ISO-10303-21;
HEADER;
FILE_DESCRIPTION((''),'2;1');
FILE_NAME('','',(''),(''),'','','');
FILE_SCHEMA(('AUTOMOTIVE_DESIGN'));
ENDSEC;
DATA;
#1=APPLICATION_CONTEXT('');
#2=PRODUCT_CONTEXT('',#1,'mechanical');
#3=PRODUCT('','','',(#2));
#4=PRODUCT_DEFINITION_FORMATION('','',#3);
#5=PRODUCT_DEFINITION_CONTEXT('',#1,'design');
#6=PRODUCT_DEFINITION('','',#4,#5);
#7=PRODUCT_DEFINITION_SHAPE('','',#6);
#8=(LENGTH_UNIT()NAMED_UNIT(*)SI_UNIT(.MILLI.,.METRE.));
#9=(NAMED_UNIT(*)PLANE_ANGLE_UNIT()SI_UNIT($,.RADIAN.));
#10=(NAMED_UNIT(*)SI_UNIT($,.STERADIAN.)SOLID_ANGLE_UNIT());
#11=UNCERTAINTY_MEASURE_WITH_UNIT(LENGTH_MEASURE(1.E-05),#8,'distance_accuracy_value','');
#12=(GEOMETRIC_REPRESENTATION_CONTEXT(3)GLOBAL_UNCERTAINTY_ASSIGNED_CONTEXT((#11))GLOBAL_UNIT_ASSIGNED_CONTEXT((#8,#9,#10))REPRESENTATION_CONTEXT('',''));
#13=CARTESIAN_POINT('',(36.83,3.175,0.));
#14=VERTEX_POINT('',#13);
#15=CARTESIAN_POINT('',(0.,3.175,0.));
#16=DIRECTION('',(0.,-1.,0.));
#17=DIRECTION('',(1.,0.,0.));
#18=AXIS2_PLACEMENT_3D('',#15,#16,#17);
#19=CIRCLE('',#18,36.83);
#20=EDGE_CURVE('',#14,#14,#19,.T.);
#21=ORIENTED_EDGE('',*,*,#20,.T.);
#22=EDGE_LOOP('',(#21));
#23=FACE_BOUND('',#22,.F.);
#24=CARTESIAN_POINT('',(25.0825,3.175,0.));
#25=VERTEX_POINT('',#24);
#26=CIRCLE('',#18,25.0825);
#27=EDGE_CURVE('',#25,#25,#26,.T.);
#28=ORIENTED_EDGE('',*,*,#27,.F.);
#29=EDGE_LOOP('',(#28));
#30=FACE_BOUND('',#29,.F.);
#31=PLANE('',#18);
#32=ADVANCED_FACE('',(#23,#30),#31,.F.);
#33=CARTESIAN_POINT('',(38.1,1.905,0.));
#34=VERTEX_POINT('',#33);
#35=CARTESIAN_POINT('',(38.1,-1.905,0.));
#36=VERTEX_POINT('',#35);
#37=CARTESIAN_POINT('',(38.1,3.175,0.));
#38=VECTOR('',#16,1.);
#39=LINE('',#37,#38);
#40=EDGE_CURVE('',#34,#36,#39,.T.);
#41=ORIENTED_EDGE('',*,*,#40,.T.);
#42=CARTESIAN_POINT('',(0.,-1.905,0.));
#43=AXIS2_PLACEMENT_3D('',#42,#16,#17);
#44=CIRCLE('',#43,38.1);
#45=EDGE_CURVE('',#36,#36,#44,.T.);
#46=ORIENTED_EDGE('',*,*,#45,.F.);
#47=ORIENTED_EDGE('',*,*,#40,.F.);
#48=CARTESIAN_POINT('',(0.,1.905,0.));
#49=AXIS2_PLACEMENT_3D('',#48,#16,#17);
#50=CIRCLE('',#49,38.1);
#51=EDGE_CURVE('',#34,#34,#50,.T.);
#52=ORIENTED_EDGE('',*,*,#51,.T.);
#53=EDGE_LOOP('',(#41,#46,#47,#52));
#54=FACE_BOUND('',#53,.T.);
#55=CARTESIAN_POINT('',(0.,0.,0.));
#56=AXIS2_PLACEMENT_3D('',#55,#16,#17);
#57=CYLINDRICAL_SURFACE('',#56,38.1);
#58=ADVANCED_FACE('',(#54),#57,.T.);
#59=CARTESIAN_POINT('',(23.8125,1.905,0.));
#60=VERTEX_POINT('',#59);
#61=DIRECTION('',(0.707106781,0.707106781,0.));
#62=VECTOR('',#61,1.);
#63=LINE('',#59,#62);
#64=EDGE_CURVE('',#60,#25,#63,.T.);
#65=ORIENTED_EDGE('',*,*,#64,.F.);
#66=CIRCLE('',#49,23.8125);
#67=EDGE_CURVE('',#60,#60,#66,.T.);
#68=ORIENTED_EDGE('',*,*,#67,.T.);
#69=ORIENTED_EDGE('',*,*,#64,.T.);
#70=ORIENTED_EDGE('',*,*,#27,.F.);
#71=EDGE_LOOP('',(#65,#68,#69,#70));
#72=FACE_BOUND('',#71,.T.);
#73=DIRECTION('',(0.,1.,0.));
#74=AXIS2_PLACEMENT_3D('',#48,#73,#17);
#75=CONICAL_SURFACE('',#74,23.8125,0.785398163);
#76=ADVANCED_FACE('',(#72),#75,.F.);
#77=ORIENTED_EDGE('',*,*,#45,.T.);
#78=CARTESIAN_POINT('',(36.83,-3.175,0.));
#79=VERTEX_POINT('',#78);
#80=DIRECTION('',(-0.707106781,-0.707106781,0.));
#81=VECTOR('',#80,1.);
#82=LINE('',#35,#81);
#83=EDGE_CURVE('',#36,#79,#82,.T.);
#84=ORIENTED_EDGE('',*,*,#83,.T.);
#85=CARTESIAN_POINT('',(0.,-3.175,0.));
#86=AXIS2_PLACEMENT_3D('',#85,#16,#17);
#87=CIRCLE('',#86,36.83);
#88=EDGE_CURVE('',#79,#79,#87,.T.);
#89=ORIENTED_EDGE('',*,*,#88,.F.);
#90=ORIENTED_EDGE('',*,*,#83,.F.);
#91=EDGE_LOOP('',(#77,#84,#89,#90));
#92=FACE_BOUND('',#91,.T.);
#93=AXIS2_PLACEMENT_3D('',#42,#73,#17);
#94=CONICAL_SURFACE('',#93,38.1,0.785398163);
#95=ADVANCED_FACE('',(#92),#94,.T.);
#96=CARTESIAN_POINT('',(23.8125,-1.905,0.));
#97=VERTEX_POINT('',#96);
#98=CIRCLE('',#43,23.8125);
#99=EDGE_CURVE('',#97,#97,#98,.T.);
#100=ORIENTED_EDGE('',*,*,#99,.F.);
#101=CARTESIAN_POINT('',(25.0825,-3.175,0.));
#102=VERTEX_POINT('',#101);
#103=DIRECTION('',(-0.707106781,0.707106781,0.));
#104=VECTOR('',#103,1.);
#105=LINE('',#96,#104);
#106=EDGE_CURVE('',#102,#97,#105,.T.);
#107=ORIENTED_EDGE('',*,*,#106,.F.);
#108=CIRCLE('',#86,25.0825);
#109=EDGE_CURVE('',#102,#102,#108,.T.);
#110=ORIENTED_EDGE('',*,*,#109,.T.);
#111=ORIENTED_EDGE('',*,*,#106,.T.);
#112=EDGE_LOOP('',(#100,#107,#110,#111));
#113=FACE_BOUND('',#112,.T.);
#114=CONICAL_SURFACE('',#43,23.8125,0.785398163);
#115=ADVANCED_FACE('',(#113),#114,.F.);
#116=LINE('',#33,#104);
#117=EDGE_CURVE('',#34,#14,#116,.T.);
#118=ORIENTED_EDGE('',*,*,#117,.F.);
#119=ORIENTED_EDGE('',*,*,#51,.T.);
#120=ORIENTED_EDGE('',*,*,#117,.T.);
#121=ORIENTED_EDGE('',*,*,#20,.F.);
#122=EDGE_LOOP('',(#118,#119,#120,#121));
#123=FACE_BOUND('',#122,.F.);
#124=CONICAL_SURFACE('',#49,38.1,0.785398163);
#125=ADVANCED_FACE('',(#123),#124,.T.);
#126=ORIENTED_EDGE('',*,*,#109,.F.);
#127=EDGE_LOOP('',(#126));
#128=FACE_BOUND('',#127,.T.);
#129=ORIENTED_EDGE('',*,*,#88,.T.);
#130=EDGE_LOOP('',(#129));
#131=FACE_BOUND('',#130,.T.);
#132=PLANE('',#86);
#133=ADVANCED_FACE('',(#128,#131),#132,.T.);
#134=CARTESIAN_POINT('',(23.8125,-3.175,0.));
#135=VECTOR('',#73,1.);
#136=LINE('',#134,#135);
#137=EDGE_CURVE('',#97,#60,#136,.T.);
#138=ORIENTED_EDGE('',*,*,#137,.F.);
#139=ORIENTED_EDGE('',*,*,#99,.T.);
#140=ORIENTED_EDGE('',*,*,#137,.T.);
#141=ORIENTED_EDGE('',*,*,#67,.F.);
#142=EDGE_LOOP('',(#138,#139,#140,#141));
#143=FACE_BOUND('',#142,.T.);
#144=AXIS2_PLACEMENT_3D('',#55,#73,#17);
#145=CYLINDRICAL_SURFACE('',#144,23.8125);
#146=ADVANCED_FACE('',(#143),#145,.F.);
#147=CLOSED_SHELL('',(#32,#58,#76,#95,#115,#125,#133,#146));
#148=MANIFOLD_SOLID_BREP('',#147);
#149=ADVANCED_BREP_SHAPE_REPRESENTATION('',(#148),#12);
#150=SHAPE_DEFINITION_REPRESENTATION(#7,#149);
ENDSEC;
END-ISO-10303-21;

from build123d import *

# Parameters (mm, degrees)
F0_R     = 38.1
F0_R_2   = 23.8125
F1_DEPTH = 3.175
F2_SIZE  = 1.27


with BuildPart() as f1:
    # F0 (on Front) → F1 (new body, symmetric)
    with BuildSketch(Plane.XZ):
        Circle(F0_R)
        Circle(F0_R_2, mode=Mode.SUBTRACT)
    extrude(amount=F1_DEPTH, both=True)

    # F2
    f2_edges = [f1.edges().sort_by_distance(p)[0] for p in [
        (-38.1, 3.175, 0),
        (38.1, 0, 0),
        (-38.1, -3.175, 0),
        (-23.8125, -3.175, 0),
        (23.8125, 0, 0),
        (-23.8125, 3.175, 0),
    ]]
    chamfer(f2_edges, length=F2_SIZE)


solid = f1.part
